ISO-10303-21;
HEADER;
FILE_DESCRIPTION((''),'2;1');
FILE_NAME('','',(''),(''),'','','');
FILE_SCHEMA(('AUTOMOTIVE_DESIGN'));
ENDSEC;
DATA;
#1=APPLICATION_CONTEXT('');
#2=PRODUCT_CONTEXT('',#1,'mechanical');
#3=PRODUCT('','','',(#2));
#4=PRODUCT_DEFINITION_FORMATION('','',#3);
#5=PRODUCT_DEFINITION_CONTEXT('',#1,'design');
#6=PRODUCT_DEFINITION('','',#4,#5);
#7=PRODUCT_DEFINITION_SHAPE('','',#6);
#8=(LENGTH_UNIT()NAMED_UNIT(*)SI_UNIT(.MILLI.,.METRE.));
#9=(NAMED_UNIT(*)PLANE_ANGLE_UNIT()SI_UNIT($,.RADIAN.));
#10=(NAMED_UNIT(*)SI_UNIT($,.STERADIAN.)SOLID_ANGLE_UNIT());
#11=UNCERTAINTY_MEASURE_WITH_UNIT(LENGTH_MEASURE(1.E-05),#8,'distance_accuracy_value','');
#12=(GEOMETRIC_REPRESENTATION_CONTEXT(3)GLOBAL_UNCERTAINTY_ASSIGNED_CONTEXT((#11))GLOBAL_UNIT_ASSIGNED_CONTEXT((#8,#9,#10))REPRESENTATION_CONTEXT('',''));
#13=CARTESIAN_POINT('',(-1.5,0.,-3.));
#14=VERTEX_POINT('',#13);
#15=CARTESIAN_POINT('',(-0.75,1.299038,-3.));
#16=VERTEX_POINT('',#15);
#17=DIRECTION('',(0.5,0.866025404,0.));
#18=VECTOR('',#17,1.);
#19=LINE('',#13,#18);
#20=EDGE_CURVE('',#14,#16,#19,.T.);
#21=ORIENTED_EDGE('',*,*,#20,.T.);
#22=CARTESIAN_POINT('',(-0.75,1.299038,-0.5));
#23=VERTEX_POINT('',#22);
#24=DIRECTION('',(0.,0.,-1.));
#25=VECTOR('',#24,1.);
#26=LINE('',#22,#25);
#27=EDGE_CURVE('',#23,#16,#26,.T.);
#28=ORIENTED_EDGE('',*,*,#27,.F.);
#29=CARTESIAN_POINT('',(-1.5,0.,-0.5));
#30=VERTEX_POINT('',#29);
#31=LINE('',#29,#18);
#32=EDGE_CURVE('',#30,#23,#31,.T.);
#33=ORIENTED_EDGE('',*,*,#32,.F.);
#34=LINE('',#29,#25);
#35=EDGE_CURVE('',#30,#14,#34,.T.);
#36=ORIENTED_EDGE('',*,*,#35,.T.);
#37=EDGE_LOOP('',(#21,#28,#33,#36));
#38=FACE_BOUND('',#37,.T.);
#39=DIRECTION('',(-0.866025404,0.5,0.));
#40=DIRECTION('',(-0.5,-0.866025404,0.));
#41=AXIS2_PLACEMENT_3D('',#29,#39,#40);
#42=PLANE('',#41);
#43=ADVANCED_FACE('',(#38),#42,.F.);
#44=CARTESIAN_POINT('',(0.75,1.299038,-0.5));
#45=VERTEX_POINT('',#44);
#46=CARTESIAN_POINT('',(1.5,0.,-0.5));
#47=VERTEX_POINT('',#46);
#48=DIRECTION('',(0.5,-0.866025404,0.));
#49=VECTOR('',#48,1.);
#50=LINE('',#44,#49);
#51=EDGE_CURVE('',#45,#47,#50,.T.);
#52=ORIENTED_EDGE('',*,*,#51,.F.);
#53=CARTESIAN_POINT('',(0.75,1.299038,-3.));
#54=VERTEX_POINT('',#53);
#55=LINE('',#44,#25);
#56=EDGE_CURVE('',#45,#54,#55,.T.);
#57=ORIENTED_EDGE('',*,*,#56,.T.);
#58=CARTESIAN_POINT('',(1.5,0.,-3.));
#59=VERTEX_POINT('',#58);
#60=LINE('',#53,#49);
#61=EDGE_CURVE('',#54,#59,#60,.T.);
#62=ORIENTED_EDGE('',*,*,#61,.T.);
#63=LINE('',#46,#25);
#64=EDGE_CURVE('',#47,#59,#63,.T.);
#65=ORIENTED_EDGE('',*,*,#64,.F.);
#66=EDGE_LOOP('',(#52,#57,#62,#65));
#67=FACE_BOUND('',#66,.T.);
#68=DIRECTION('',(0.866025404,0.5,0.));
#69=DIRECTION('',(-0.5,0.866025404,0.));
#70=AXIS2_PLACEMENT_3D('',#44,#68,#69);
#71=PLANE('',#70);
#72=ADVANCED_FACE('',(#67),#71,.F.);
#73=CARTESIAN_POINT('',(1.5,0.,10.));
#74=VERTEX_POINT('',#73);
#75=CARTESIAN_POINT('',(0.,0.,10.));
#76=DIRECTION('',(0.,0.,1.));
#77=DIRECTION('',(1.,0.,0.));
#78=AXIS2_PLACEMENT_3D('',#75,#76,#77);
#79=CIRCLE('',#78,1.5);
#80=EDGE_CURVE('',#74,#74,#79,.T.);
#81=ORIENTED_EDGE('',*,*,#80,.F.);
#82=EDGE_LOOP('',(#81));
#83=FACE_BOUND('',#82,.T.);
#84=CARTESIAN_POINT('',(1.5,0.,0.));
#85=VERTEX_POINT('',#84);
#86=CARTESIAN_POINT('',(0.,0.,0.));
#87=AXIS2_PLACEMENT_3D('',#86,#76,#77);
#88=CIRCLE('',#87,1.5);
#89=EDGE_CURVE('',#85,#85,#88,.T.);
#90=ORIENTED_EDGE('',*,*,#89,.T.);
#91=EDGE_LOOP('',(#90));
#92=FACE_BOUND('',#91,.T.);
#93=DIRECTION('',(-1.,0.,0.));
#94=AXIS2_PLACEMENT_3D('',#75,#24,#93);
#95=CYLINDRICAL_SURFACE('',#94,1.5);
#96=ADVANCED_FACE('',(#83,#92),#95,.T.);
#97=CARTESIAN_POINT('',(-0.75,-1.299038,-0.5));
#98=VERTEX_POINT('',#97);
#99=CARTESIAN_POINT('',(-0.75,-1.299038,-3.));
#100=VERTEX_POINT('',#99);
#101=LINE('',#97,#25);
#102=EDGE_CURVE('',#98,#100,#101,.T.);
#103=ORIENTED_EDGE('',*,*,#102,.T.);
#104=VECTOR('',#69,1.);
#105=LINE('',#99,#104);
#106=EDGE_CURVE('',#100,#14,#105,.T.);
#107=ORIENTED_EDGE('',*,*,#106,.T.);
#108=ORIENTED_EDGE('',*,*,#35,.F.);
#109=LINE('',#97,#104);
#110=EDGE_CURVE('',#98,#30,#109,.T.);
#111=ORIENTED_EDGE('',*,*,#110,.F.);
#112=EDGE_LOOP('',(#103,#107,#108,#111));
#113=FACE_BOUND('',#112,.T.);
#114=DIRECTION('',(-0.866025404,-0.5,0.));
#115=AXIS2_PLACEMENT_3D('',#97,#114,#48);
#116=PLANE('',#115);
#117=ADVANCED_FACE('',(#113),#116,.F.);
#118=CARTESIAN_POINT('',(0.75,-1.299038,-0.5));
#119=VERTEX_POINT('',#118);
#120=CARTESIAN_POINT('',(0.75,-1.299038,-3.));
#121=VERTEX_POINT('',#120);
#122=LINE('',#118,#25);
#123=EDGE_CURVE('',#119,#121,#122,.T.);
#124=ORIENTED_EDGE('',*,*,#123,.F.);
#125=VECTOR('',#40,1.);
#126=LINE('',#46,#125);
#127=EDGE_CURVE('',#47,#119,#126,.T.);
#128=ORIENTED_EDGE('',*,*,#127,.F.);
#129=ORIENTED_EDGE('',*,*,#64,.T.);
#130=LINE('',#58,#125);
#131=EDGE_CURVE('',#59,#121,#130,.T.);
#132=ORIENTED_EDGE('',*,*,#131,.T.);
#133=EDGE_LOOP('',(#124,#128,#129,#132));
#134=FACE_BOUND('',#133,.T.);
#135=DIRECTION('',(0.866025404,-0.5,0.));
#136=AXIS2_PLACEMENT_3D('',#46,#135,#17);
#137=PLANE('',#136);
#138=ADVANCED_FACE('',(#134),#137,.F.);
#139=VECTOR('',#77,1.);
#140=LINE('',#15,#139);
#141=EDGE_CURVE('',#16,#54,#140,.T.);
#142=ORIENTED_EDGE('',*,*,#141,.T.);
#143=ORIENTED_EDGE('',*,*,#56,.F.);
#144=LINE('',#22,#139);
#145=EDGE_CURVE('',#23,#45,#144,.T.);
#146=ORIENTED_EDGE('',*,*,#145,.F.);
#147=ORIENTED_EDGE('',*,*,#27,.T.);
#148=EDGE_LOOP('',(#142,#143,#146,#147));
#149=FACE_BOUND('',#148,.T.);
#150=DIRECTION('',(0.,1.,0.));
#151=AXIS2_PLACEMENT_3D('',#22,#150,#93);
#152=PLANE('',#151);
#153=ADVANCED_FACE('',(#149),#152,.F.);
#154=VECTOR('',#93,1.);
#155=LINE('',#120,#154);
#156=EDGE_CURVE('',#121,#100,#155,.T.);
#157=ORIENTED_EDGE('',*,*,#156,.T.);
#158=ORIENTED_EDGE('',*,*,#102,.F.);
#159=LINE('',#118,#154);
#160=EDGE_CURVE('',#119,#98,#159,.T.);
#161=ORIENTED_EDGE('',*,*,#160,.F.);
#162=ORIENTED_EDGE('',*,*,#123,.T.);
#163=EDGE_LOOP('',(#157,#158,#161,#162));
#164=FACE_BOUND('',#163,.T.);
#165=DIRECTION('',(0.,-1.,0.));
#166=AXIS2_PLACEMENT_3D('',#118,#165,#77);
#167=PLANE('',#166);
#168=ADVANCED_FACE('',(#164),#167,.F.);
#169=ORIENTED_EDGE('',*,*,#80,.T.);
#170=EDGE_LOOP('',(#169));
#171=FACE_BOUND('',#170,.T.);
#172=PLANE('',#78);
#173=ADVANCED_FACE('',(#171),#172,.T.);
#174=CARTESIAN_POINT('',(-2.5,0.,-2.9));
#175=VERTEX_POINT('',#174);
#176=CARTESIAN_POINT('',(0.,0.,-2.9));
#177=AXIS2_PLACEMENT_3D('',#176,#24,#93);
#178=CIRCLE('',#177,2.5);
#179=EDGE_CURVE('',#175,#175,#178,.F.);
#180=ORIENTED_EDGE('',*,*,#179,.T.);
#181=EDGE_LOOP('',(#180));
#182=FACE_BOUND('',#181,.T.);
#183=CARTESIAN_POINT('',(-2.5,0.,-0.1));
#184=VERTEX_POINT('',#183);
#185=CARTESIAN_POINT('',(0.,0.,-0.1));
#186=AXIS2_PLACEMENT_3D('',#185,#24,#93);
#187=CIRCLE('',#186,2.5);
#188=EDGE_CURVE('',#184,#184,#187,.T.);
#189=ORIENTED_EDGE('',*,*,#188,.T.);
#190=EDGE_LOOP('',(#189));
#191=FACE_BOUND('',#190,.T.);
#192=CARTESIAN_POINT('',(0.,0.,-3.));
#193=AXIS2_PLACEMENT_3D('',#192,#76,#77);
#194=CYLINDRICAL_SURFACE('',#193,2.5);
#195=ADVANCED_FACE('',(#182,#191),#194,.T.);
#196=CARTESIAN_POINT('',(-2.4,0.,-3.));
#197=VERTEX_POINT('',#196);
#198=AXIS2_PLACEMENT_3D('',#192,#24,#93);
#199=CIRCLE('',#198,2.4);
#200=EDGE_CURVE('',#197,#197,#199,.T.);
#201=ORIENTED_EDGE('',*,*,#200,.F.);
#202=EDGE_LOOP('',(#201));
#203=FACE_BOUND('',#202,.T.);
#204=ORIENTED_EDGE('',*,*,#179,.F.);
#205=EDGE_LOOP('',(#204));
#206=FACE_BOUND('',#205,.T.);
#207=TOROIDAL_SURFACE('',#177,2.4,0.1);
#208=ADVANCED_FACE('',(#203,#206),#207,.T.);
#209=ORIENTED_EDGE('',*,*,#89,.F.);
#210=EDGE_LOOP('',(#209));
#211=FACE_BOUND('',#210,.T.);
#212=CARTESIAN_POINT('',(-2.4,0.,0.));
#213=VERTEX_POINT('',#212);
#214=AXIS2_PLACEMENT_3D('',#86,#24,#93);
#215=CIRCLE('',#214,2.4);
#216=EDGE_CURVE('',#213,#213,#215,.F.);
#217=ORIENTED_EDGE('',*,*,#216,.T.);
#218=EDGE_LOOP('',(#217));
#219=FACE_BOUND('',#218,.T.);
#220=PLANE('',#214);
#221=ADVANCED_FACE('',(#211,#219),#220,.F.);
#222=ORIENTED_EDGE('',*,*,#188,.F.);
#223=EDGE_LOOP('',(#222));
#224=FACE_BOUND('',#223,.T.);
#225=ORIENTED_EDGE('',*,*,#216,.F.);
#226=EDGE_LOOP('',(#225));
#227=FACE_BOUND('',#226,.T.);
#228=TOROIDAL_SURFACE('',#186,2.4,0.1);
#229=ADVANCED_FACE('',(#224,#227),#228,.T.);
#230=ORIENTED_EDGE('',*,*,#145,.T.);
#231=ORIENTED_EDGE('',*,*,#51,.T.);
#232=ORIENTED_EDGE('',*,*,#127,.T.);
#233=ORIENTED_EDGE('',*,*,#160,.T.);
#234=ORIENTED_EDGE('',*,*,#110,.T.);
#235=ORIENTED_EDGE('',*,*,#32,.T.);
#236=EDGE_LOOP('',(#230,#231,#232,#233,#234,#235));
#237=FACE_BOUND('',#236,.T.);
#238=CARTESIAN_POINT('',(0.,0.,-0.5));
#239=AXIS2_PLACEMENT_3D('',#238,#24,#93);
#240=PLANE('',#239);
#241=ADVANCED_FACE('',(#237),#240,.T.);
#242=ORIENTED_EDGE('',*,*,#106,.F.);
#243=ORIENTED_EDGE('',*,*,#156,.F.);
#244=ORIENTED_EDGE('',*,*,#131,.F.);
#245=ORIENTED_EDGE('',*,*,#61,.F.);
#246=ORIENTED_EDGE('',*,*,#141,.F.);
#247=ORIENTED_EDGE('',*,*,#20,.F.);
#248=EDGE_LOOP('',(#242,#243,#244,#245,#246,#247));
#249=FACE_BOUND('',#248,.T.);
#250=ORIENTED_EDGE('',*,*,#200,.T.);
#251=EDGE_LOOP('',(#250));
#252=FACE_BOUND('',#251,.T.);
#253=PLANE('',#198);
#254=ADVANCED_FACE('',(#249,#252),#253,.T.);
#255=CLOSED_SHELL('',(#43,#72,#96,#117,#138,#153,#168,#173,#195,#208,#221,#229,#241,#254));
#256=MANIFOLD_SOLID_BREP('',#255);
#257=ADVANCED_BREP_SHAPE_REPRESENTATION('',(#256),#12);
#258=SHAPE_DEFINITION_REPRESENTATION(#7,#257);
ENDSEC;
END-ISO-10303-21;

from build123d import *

# Parameters (mm, degrees)
CROQUIS1_R              = 1.5
SALIENTE_EXTRUIR1_DEPTH = 10
CROQUIS3_R              = 2.5
SALIENTE_EXTRUIR3_DEPTH = 3
CORTAR_EXTRUIR1_DEPTH   = 2.5
REDONDEO4_R             = 0.1
REDONDEO5_R             = 0.1


with BuildPart() as part:
    # Croquis1 → Saliente-Extruir1 (new body)
    with BuildSketch(Plane.XY):
        Circle(CROQUIS1_R)
    extrude(amount=SALIENTE_EXTRUIR1_DEPTH)

    # Croquis3 → Saliente-Extruir3 (add)
    with BuildSketch(Plane(origin=(0, 0, 0), x_dir=(-1, 0, 0), z_dir=(0, 0, -1))):
        Circle(CROQUIS3_R)
    extrude(amount=SALIENTE_EXTRUIR3_DEPTH)

    # Croquis4 → Cortar-Extruir1 (cut)
    with BuildSketch(Plane(origin=(0, 0, -3), x_dir=(-1, 0, 0), z_dir=(0, 0, -1))):
        Polygon((1.5, 0), (0.75, 1.299038106), (-0.75, 1.299038106), (-1.5, 0), (-0.75, -1.299038106), (0.75, -1.299038106), align=None)
    extrude(amount=-CORTAR_EXTRUIR1_DEPTH, mode=Mode.SUBTRACT)

    # Redondeo4
    redondeo4_edges = [part.edges().sort_by_distance(p)[0] for p in [
        (2.5, 0, -3),
    ]]
    fillet(redondeo4_edges, radius=REDONDEO4_R)

    # Redondeo5
    redondeo5_edges = [part.edges().sort_by_distance(p)[0] for p in [
        (2.5, 0, 0),
    ]]
    fillet(redondeo5_edges, radius=REDONDEO5_R)


solid = part.part
